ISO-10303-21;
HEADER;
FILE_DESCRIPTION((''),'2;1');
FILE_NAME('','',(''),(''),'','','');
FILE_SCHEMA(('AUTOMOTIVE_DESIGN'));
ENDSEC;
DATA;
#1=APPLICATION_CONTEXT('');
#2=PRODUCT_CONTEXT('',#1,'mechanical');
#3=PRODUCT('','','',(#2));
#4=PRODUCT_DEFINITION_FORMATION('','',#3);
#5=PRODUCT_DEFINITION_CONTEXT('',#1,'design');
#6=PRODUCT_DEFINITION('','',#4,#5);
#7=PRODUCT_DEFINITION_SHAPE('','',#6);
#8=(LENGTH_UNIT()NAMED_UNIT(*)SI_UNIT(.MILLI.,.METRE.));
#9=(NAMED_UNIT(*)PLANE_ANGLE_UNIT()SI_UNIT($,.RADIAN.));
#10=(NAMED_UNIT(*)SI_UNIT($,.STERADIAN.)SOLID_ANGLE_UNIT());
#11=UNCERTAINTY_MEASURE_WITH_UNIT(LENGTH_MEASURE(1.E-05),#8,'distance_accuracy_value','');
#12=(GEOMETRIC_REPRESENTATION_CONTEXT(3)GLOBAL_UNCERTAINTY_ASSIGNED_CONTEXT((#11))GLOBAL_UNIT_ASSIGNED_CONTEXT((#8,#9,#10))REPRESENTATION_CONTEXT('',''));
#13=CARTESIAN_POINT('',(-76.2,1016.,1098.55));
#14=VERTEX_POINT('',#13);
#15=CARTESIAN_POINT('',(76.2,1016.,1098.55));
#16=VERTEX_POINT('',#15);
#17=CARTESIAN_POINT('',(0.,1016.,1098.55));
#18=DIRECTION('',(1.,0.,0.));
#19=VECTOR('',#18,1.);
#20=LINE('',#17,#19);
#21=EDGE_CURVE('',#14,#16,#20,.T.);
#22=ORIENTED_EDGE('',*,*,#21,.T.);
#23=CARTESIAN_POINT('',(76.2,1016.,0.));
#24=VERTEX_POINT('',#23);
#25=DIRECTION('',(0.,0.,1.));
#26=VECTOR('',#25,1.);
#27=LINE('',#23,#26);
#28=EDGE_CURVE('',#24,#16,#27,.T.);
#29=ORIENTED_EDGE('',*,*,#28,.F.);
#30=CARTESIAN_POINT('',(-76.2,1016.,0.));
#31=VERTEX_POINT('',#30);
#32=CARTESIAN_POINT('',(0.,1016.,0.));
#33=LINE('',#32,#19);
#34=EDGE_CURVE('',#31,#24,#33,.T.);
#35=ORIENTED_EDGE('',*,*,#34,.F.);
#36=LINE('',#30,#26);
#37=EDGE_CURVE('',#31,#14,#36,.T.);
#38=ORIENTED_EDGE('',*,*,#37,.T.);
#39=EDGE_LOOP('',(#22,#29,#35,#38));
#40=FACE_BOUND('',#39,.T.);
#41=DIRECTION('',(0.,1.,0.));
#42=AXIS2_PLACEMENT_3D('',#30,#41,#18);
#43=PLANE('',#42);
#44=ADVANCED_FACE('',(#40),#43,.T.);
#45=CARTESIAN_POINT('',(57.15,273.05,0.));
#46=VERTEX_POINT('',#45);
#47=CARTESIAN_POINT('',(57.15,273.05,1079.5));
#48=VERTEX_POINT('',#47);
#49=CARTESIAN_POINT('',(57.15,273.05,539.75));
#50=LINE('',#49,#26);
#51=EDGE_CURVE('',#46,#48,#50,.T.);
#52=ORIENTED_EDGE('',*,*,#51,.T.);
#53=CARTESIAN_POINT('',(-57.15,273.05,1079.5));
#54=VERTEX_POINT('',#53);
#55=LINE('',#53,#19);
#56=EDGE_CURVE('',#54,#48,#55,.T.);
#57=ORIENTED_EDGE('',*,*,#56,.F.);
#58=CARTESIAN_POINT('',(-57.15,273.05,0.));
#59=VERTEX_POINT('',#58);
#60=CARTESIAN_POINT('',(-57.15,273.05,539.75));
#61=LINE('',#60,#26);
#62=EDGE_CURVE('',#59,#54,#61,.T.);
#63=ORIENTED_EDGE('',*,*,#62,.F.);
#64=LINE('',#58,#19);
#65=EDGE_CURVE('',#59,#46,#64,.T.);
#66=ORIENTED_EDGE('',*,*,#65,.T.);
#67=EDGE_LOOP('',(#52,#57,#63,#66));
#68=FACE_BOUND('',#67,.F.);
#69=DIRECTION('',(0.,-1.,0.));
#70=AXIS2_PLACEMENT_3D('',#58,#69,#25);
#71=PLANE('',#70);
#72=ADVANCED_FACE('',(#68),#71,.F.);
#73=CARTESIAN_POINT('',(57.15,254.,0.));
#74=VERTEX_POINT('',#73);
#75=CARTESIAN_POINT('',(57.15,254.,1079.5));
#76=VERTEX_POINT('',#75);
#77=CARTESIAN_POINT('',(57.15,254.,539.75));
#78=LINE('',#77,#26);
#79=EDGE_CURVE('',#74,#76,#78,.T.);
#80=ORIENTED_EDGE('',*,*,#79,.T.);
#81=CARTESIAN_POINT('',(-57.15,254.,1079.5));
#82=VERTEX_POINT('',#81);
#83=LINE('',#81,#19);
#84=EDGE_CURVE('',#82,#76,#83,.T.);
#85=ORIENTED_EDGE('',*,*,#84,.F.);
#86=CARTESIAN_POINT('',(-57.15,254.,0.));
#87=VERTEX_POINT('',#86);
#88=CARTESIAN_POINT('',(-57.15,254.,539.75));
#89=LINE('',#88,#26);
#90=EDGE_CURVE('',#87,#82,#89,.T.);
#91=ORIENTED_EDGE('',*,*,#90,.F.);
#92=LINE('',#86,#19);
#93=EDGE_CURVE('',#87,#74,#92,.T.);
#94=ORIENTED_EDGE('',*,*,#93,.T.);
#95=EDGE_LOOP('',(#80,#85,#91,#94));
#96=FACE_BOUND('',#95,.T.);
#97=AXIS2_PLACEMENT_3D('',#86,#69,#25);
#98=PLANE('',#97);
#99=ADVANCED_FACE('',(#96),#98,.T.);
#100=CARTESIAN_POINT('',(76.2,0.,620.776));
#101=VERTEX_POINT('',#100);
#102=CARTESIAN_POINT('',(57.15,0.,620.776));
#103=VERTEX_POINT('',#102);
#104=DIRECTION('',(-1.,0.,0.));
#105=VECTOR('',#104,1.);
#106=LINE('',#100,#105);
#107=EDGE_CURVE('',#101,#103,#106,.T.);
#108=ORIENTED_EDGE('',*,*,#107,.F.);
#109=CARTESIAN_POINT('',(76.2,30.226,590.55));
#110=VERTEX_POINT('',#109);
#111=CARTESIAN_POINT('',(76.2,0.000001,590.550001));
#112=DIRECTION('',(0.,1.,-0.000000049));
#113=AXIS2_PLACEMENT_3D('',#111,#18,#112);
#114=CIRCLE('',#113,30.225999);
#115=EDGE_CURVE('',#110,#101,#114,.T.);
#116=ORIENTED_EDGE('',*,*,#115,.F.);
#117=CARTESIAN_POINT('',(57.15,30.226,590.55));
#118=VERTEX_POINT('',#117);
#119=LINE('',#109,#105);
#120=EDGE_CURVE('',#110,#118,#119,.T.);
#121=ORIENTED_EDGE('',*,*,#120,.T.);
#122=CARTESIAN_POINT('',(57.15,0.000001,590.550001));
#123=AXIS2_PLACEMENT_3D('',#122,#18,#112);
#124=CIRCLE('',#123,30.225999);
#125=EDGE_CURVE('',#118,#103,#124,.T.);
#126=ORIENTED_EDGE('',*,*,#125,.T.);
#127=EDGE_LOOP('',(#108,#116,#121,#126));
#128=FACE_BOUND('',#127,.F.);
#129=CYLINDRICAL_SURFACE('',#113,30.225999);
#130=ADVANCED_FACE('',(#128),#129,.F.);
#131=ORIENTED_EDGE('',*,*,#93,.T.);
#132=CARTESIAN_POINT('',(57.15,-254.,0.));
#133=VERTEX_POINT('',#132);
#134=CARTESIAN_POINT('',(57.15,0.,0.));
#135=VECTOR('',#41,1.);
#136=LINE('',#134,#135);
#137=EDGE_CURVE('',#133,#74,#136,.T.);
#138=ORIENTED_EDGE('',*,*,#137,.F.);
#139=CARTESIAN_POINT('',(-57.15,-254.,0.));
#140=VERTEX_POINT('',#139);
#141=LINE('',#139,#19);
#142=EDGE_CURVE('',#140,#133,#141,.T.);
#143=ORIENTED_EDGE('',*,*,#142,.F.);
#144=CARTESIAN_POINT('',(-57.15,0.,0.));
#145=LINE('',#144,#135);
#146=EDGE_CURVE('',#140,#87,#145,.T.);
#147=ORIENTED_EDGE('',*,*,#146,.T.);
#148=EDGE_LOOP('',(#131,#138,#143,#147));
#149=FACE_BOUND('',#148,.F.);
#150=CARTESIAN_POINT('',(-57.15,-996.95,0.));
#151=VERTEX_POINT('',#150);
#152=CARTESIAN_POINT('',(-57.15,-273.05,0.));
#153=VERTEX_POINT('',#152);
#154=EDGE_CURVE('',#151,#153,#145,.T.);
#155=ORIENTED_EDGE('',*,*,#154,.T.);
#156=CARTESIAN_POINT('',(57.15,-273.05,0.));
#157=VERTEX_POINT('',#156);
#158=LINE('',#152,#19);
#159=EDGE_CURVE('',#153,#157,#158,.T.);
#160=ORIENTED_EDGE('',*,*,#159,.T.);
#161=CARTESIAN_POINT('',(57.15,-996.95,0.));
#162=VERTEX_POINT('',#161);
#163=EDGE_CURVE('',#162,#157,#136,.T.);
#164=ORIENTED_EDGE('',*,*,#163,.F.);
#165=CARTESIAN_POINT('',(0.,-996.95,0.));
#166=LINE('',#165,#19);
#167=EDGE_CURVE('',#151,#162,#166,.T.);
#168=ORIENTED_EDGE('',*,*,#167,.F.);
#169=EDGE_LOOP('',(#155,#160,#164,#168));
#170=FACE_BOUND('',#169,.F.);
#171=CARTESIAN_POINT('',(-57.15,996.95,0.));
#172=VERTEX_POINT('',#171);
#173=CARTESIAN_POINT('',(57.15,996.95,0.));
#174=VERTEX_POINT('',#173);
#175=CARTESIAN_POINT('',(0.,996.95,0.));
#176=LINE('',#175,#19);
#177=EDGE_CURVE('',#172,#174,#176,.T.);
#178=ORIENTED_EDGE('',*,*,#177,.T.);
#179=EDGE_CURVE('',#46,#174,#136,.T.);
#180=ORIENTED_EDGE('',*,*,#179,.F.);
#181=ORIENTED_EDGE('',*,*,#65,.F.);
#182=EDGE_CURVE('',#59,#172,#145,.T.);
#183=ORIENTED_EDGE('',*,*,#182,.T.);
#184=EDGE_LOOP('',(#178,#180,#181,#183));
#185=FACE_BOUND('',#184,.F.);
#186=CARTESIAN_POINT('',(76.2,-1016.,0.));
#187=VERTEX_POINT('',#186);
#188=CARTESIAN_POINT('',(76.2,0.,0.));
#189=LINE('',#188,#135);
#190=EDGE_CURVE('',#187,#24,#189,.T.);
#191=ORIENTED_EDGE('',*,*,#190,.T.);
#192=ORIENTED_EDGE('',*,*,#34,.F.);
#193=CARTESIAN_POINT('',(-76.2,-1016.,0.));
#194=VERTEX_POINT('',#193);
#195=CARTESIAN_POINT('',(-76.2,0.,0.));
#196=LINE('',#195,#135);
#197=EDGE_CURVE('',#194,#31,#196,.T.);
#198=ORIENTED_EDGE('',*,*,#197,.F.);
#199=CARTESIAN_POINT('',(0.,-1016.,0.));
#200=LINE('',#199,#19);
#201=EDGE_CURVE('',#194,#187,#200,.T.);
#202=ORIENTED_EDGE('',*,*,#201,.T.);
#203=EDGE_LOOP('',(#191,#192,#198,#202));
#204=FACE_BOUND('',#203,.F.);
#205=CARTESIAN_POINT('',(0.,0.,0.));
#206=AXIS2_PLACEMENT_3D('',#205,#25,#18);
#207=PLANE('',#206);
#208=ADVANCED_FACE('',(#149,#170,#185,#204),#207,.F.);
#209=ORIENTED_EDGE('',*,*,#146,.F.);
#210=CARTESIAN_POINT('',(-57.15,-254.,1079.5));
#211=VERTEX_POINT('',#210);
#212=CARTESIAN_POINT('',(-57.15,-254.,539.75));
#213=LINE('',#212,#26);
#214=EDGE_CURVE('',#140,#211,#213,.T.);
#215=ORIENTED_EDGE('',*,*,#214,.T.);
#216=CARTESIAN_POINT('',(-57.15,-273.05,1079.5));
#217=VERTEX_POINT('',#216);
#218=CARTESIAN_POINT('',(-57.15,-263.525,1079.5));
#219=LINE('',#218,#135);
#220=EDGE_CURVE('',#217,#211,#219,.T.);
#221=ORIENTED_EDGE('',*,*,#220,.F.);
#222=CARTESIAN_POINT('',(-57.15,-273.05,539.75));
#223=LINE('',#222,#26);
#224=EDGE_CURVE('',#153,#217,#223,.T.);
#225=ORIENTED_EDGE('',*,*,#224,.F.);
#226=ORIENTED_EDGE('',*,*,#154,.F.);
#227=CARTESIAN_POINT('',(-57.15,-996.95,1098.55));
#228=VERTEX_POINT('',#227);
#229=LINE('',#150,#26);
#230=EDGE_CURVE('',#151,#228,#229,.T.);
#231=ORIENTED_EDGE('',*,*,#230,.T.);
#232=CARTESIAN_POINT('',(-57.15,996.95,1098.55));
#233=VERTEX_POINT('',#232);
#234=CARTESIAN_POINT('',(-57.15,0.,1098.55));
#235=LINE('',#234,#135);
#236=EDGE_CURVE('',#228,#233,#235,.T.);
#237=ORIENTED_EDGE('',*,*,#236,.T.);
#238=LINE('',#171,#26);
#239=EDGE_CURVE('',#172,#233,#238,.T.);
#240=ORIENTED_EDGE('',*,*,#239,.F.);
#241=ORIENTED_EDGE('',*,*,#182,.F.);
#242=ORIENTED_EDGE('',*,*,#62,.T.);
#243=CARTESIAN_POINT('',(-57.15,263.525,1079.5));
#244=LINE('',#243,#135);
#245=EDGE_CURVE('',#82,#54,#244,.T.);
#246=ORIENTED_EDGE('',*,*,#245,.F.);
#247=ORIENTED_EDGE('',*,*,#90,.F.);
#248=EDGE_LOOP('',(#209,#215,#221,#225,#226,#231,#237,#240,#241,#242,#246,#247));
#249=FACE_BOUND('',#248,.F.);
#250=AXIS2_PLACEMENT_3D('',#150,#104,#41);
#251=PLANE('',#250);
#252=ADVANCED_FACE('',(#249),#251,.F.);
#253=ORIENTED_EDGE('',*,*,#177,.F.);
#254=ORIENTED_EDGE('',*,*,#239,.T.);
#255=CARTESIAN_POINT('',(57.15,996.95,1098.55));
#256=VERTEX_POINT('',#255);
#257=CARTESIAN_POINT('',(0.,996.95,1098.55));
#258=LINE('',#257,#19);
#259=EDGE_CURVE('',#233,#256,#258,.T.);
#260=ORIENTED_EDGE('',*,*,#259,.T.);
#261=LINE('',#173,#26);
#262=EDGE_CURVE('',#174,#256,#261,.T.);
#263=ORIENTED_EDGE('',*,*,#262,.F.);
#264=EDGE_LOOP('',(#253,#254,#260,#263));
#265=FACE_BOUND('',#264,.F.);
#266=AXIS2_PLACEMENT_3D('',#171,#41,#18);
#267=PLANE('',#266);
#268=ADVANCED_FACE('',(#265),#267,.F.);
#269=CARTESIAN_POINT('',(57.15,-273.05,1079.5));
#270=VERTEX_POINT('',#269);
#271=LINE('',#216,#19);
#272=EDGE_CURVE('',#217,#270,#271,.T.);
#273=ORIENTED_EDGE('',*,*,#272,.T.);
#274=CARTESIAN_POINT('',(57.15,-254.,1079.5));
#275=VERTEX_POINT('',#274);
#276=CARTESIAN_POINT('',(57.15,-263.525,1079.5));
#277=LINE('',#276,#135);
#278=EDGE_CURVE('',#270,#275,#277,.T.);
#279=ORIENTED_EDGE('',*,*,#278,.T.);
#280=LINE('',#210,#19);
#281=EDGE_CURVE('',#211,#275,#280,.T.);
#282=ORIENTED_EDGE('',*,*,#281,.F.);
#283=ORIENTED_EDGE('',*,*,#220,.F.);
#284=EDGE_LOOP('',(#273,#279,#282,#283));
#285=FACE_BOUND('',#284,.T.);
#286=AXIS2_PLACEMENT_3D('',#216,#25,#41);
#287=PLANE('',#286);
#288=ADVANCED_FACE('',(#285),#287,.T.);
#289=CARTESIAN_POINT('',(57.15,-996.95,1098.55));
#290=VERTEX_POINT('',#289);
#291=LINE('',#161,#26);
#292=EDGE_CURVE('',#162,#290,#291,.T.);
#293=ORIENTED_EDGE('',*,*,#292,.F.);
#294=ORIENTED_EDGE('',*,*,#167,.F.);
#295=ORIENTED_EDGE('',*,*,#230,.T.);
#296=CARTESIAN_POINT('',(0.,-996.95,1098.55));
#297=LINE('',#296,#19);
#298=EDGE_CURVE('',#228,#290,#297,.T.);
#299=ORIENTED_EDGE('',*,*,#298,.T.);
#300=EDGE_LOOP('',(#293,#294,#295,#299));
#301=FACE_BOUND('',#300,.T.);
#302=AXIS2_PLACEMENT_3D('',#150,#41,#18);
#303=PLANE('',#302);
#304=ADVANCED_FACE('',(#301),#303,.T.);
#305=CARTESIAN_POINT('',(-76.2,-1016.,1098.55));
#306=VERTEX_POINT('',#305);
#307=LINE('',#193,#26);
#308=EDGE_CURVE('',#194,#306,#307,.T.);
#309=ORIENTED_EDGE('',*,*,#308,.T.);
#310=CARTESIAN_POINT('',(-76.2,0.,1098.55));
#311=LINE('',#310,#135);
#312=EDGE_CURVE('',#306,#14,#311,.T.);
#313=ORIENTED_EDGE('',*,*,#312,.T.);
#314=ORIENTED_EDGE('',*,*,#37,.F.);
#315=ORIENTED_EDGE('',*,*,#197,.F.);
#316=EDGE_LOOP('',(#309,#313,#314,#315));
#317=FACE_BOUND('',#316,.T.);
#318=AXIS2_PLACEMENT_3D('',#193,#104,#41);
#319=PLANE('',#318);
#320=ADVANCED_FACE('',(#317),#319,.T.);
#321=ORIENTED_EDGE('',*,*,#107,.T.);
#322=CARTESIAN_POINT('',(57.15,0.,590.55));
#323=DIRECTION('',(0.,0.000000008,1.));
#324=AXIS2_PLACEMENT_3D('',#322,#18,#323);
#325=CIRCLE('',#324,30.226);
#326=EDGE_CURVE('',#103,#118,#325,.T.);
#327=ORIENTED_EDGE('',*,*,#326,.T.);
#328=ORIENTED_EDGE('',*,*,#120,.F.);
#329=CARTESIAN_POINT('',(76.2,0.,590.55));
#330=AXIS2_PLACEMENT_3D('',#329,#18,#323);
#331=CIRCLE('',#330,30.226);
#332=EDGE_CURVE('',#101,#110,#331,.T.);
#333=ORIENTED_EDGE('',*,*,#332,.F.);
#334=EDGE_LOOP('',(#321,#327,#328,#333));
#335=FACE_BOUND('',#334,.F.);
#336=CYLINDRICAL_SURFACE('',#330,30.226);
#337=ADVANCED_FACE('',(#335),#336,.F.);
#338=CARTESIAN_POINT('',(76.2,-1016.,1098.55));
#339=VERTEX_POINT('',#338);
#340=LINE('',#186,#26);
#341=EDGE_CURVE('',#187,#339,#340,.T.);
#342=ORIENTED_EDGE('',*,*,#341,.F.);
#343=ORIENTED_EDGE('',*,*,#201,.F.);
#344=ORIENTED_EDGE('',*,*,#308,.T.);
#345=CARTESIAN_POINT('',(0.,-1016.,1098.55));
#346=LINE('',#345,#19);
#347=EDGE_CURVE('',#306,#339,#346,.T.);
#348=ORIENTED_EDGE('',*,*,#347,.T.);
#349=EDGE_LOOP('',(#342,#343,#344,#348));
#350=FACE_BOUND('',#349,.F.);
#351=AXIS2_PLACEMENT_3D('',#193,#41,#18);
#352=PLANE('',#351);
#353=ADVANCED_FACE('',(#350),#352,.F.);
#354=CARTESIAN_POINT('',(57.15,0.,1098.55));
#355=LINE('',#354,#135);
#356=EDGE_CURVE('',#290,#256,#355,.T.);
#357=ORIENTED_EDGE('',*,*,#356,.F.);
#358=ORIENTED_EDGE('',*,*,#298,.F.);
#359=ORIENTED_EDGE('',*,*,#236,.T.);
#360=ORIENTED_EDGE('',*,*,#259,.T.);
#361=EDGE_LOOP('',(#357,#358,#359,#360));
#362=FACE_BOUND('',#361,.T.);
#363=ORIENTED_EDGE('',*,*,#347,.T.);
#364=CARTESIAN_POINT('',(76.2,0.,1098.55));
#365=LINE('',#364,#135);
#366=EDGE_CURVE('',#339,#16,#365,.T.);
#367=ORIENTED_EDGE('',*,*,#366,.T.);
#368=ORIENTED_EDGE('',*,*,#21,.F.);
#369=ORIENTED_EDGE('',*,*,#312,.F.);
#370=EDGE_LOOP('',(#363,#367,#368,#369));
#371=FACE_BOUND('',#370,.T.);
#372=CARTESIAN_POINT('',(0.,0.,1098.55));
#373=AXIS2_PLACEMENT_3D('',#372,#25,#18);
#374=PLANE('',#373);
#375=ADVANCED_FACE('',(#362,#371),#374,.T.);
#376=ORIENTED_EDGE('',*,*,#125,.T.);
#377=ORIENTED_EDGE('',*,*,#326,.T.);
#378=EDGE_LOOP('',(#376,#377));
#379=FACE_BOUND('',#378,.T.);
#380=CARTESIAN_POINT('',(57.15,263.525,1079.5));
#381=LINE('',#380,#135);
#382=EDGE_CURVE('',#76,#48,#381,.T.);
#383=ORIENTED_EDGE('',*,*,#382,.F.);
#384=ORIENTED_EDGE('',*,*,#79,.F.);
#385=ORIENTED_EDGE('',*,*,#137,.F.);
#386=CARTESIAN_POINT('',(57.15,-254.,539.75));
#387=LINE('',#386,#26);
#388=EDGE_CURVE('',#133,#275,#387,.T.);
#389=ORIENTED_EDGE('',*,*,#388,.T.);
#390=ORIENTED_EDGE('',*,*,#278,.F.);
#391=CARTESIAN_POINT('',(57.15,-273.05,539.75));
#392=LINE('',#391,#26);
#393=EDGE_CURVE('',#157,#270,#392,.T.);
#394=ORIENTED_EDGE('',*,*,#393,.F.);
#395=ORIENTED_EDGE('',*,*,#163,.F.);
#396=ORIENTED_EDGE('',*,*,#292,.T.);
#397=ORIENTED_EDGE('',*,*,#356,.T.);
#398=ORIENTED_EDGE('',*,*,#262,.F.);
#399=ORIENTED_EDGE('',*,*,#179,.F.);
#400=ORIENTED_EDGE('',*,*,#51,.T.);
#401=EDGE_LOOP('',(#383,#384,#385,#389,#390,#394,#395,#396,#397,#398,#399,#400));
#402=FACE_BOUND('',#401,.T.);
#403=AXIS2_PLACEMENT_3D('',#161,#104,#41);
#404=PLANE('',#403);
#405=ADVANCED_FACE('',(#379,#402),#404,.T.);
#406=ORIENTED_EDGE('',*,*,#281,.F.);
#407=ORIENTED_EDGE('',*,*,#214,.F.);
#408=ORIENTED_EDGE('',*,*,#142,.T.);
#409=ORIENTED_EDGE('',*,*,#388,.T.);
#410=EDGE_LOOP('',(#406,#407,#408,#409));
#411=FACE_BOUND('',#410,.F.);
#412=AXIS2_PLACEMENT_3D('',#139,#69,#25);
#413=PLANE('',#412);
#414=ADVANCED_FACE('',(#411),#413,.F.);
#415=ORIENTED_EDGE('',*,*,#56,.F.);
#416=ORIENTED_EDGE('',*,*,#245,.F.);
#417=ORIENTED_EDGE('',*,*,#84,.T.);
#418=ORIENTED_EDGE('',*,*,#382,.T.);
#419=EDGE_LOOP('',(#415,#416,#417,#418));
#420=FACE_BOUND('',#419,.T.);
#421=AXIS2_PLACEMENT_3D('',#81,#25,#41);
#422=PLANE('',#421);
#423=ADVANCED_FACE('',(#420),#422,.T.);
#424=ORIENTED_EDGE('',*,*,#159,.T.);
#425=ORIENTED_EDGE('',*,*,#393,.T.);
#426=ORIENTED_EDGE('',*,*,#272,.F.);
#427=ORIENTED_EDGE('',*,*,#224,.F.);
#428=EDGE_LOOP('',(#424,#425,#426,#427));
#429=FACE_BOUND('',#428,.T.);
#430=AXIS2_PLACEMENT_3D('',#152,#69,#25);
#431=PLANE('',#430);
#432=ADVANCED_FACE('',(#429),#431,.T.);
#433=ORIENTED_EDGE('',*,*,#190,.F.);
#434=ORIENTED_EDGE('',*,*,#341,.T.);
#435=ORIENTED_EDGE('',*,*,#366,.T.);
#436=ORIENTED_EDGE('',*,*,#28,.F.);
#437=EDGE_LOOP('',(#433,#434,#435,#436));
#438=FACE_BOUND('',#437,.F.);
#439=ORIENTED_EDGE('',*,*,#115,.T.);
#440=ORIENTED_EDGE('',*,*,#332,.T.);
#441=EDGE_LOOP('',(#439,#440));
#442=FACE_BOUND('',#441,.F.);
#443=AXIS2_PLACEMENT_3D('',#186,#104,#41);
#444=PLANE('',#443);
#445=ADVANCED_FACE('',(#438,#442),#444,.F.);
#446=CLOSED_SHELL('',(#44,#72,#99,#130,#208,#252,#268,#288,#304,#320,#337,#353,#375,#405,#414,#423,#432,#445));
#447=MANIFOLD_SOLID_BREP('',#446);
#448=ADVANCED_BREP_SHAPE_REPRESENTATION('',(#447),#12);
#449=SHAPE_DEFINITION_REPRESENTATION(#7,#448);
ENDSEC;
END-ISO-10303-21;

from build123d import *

# Parameters (mm, degrees)
F0_W     = 152.4
F0_H     = 2032
F0_W_2   = 114.3
F0_H_2   = 1993.9
F1_DEPTH = 1098.55
F3_DEPTH = 25.4
F4_W     = 19.05
F4_H     = 1079.5
F5_DEPTH = 114.3


with BuildPart() as f1:
    # F0 (on Top) → F1 (new body)
    with BuildSketch(Plane.XY):
        Rectangle(F0_W, F0_H)
        Rectangle(F0_W_2, F0_H_2, mode=Mode.SUBTRACT)
    extrude(amount=F1_DEPTH)

    # F2 (on face) → F3 (cut)
    with BuildSketch(Plane.YZ.offset(76.2)):
        with BuildLine():
            ThreePointArc((30.226, 590.55), (21.37301, 611.92301), (0, 620.776))
            ThreePointArc((0, 620.776), (-21.37301, 569.17699), (30.226, 590.55))
        make_face()
    extrude(amount=-F3_DEPTH, mode=Mode.SUBTRACT)

    # F4 (on face) → F5 (join)
    with BuildSketch(Plane.YZ.offset(-57.15)):
        with Locations((-263.525, 539.75)):
            Rectangle(F4_W, F4_H)
        with Locations((263.525, 539.75)):
            Rectangle(F4_W, F4_H)
    extrude(amount=F5_DEPTH)


solid = f1.part
